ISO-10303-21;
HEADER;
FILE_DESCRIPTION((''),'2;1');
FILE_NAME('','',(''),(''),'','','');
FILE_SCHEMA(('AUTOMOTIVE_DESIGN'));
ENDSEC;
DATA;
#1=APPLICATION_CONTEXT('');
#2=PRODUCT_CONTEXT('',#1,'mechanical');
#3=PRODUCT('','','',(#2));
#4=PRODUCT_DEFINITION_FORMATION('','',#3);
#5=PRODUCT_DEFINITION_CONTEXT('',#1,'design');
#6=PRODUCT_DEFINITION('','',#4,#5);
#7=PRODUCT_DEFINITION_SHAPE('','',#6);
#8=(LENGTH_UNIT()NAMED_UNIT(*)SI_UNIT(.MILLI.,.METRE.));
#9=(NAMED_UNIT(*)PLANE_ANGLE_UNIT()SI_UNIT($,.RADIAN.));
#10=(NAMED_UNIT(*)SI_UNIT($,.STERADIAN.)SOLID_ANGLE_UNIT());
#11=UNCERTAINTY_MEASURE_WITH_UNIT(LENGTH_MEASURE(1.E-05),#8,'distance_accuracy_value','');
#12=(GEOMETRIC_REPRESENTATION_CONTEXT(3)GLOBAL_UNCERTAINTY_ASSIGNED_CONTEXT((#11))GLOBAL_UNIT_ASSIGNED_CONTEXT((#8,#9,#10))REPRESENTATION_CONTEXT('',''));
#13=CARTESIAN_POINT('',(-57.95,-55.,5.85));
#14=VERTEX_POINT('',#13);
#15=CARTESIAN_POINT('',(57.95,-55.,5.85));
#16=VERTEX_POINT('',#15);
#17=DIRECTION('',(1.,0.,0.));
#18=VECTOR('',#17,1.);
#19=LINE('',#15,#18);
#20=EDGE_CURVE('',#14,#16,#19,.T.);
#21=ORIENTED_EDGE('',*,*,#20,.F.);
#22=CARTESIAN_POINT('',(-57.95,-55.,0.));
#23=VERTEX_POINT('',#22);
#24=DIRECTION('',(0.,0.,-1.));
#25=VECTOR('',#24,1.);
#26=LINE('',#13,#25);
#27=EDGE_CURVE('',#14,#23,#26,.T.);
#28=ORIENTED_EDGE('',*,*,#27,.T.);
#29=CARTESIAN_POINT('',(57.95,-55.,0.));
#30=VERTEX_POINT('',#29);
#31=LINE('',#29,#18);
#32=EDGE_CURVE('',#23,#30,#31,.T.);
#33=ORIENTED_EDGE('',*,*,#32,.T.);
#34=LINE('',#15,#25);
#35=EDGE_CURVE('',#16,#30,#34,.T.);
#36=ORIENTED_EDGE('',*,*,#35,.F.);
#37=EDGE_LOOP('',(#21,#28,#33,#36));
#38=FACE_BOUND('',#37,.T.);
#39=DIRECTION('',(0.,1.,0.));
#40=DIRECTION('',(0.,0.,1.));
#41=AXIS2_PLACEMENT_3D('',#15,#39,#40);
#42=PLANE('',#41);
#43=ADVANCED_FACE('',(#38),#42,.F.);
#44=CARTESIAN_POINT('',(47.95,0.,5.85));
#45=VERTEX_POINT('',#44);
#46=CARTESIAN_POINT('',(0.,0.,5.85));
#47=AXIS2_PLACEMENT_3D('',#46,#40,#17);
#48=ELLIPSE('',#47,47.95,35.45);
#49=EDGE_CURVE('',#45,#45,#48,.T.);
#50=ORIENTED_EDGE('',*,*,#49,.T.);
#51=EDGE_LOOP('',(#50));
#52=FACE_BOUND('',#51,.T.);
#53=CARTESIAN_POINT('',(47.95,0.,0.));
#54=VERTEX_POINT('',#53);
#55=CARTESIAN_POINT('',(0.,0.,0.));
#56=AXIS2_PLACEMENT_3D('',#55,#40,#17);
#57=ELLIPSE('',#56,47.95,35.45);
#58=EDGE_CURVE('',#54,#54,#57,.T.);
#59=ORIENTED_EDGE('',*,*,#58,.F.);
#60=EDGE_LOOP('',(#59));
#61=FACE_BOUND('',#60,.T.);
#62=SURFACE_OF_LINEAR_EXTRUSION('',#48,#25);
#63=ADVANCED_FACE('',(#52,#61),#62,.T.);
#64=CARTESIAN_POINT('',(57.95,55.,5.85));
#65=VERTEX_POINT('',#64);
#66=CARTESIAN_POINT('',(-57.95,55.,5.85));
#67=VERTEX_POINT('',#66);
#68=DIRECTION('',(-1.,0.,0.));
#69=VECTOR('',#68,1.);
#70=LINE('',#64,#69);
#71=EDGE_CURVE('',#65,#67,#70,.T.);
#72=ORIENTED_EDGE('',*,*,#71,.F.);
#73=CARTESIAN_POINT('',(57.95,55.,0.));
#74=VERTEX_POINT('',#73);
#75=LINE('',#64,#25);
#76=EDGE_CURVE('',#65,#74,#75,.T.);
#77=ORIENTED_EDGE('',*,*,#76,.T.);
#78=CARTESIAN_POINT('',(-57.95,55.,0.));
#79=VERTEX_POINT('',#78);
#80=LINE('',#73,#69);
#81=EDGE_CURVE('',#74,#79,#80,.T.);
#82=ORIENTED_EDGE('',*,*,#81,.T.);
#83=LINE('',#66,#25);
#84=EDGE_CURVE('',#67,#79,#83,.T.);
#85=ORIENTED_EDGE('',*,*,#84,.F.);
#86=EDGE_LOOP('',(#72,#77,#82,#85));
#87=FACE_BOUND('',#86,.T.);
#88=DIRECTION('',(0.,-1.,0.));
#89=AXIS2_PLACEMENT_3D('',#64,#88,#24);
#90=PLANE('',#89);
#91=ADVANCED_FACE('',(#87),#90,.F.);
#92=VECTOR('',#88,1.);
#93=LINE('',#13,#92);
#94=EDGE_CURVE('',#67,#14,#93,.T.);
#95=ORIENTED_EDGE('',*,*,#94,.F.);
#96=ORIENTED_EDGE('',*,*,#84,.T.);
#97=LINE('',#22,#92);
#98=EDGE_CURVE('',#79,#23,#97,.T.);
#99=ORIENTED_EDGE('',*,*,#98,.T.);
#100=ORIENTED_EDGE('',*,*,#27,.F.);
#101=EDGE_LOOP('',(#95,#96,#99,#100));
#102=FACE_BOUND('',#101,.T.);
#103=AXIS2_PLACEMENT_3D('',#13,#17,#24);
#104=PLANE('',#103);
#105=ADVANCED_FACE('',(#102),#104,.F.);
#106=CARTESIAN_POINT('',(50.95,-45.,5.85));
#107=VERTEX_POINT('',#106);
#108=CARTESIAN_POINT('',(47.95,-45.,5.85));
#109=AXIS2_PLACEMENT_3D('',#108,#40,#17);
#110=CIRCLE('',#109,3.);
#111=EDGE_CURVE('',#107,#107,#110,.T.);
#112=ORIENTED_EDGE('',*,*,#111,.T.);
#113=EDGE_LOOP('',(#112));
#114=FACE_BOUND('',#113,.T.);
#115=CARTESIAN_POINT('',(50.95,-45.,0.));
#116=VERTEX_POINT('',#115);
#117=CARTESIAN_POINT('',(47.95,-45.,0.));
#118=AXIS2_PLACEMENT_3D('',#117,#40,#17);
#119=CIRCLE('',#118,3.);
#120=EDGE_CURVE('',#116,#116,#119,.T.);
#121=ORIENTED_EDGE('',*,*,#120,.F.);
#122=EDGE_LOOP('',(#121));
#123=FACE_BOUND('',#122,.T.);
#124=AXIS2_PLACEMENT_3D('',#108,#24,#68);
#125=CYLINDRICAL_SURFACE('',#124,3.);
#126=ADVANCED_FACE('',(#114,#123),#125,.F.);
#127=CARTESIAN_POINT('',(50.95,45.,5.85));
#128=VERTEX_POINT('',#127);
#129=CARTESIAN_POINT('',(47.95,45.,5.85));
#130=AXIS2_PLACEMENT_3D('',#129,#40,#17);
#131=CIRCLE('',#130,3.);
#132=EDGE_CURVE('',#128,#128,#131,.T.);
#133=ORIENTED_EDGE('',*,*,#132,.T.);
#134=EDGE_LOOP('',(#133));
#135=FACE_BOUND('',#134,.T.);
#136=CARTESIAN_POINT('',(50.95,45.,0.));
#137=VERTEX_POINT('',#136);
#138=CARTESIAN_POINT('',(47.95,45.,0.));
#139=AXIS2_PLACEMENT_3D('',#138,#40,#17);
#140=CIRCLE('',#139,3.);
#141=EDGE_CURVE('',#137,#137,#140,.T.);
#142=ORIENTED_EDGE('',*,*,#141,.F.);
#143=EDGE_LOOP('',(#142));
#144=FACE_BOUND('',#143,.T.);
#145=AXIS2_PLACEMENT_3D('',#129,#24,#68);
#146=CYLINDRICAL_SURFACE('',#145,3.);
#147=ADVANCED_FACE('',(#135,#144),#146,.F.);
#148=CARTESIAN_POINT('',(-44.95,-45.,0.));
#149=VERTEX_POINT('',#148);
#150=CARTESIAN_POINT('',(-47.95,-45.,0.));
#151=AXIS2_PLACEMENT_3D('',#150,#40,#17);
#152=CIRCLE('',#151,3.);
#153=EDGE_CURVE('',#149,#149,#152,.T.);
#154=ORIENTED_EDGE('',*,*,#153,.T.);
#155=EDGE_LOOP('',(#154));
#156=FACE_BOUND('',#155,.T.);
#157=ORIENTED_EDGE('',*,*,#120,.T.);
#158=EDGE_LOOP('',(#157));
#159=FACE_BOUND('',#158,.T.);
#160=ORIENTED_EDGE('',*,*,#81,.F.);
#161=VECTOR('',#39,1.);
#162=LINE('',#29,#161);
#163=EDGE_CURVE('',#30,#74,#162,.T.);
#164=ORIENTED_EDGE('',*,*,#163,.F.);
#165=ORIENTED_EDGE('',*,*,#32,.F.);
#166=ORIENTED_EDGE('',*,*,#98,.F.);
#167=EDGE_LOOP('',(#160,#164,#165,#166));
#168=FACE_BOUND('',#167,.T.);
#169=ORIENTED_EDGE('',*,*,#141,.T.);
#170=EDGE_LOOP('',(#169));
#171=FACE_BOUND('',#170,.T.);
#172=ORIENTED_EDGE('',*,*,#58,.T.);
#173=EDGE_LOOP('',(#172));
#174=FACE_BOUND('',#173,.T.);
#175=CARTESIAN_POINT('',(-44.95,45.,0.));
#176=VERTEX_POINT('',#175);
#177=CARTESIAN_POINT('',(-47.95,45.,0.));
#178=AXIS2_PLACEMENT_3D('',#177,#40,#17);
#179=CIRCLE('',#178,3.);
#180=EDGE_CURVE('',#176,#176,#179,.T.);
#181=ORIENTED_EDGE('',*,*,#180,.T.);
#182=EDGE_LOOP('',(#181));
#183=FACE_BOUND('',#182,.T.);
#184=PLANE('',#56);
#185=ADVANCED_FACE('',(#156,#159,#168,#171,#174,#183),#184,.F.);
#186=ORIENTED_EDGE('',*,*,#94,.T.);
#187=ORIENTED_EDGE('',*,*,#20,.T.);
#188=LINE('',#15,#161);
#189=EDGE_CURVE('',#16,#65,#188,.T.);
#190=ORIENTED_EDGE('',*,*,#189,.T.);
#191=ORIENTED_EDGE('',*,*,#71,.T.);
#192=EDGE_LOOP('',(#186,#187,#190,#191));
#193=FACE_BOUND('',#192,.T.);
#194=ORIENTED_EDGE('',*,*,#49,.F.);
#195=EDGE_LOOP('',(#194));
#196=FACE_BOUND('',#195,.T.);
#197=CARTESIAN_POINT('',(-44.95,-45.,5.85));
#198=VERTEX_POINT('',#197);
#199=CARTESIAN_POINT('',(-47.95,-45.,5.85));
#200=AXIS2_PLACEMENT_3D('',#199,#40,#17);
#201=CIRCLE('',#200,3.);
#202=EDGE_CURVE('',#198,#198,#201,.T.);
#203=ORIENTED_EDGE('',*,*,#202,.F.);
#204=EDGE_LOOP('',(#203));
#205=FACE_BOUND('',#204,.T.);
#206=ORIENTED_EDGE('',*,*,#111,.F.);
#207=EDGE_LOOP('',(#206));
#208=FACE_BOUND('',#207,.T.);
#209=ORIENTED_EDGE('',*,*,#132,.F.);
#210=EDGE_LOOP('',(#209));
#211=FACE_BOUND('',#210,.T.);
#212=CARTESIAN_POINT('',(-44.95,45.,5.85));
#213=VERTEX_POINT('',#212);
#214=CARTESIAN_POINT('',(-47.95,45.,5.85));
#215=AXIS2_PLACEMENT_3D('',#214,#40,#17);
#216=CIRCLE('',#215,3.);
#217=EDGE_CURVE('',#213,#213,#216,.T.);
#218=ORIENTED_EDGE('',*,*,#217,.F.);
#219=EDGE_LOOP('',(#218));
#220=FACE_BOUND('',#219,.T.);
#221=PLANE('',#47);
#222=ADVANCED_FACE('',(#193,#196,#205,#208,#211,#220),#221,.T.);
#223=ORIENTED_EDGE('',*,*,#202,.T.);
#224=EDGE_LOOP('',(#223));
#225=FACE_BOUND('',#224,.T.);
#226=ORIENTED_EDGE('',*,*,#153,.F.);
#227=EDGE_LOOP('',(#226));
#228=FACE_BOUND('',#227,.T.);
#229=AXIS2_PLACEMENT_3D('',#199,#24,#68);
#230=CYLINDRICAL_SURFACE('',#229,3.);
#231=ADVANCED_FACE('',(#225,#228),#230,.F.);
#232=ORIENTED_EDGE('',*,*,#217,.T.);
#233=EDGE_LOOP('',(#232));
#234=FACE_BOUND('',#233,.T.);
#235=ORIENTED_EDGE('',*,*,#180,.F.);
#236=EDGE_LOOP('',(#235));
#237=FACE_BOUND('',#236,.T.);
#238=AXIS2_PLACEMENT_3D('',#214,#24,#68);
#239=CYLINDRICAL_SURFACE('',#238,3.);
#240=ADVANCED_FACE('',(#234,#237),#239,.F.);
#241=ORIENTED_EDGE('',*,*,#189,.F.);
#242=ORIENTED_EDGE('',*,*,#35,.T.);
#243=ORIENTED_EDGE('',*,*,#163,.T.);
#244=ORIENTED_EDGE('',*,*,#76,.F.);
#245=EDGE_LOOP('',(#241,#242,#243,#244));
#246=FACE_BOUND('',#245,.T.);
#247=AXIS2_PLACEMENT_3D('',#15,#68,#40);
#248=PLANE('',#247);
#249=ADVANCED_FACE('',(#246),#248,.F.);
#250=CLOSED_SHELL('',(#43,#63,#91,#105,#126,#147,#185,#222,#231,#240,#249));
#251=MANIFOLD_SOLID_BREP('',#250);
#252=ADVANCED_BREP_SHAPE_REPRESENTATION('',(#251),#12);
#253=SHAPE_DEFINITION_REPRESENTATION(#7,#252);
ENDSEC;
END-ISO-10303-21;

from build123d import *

# Parameters (mm, degrees)
SKETCH1_W           = 115.9
SKETCH1_H           = 110
SKETCH1_R           = 3
SKETCH1_RX          = 47.95
SKETCH1_RY          = 35.45
BOSS_EXTRUDE1_DEPTH = 5.85


with BuildPart() as part:
    # Sketch1 → Boss-Extrude1 (new body)
    with BuildSketch(Plane.XY):
        Rectangle(SKETCH1_W, SKETCH1_H)
        with Locations((-47.95, 45)):
            Circle(SKETCH1_R, mode=Mode.SUBTRACT)
        with Locations((-47.95, -45)):
            Circle(SKETCH1_R, mode=Mode.SUBTRACT)
        with Locations((47.95, -45)):
            Circle(SKETCH1_R, mode=Mode.SUBTRACT)
        with Locations((47.95, 45)):
            Circle(SKETCH1_R, mode=Mode.SUBTRACT)
        with Locations((0, 0)):
            Ellipse(SKETCH1_RX, SKETCH1_RY, mode=Mode.SUBTRACT)
    extrude(amount=BOSS_EXTRUDE1_DEPTH)


solid = part.part
